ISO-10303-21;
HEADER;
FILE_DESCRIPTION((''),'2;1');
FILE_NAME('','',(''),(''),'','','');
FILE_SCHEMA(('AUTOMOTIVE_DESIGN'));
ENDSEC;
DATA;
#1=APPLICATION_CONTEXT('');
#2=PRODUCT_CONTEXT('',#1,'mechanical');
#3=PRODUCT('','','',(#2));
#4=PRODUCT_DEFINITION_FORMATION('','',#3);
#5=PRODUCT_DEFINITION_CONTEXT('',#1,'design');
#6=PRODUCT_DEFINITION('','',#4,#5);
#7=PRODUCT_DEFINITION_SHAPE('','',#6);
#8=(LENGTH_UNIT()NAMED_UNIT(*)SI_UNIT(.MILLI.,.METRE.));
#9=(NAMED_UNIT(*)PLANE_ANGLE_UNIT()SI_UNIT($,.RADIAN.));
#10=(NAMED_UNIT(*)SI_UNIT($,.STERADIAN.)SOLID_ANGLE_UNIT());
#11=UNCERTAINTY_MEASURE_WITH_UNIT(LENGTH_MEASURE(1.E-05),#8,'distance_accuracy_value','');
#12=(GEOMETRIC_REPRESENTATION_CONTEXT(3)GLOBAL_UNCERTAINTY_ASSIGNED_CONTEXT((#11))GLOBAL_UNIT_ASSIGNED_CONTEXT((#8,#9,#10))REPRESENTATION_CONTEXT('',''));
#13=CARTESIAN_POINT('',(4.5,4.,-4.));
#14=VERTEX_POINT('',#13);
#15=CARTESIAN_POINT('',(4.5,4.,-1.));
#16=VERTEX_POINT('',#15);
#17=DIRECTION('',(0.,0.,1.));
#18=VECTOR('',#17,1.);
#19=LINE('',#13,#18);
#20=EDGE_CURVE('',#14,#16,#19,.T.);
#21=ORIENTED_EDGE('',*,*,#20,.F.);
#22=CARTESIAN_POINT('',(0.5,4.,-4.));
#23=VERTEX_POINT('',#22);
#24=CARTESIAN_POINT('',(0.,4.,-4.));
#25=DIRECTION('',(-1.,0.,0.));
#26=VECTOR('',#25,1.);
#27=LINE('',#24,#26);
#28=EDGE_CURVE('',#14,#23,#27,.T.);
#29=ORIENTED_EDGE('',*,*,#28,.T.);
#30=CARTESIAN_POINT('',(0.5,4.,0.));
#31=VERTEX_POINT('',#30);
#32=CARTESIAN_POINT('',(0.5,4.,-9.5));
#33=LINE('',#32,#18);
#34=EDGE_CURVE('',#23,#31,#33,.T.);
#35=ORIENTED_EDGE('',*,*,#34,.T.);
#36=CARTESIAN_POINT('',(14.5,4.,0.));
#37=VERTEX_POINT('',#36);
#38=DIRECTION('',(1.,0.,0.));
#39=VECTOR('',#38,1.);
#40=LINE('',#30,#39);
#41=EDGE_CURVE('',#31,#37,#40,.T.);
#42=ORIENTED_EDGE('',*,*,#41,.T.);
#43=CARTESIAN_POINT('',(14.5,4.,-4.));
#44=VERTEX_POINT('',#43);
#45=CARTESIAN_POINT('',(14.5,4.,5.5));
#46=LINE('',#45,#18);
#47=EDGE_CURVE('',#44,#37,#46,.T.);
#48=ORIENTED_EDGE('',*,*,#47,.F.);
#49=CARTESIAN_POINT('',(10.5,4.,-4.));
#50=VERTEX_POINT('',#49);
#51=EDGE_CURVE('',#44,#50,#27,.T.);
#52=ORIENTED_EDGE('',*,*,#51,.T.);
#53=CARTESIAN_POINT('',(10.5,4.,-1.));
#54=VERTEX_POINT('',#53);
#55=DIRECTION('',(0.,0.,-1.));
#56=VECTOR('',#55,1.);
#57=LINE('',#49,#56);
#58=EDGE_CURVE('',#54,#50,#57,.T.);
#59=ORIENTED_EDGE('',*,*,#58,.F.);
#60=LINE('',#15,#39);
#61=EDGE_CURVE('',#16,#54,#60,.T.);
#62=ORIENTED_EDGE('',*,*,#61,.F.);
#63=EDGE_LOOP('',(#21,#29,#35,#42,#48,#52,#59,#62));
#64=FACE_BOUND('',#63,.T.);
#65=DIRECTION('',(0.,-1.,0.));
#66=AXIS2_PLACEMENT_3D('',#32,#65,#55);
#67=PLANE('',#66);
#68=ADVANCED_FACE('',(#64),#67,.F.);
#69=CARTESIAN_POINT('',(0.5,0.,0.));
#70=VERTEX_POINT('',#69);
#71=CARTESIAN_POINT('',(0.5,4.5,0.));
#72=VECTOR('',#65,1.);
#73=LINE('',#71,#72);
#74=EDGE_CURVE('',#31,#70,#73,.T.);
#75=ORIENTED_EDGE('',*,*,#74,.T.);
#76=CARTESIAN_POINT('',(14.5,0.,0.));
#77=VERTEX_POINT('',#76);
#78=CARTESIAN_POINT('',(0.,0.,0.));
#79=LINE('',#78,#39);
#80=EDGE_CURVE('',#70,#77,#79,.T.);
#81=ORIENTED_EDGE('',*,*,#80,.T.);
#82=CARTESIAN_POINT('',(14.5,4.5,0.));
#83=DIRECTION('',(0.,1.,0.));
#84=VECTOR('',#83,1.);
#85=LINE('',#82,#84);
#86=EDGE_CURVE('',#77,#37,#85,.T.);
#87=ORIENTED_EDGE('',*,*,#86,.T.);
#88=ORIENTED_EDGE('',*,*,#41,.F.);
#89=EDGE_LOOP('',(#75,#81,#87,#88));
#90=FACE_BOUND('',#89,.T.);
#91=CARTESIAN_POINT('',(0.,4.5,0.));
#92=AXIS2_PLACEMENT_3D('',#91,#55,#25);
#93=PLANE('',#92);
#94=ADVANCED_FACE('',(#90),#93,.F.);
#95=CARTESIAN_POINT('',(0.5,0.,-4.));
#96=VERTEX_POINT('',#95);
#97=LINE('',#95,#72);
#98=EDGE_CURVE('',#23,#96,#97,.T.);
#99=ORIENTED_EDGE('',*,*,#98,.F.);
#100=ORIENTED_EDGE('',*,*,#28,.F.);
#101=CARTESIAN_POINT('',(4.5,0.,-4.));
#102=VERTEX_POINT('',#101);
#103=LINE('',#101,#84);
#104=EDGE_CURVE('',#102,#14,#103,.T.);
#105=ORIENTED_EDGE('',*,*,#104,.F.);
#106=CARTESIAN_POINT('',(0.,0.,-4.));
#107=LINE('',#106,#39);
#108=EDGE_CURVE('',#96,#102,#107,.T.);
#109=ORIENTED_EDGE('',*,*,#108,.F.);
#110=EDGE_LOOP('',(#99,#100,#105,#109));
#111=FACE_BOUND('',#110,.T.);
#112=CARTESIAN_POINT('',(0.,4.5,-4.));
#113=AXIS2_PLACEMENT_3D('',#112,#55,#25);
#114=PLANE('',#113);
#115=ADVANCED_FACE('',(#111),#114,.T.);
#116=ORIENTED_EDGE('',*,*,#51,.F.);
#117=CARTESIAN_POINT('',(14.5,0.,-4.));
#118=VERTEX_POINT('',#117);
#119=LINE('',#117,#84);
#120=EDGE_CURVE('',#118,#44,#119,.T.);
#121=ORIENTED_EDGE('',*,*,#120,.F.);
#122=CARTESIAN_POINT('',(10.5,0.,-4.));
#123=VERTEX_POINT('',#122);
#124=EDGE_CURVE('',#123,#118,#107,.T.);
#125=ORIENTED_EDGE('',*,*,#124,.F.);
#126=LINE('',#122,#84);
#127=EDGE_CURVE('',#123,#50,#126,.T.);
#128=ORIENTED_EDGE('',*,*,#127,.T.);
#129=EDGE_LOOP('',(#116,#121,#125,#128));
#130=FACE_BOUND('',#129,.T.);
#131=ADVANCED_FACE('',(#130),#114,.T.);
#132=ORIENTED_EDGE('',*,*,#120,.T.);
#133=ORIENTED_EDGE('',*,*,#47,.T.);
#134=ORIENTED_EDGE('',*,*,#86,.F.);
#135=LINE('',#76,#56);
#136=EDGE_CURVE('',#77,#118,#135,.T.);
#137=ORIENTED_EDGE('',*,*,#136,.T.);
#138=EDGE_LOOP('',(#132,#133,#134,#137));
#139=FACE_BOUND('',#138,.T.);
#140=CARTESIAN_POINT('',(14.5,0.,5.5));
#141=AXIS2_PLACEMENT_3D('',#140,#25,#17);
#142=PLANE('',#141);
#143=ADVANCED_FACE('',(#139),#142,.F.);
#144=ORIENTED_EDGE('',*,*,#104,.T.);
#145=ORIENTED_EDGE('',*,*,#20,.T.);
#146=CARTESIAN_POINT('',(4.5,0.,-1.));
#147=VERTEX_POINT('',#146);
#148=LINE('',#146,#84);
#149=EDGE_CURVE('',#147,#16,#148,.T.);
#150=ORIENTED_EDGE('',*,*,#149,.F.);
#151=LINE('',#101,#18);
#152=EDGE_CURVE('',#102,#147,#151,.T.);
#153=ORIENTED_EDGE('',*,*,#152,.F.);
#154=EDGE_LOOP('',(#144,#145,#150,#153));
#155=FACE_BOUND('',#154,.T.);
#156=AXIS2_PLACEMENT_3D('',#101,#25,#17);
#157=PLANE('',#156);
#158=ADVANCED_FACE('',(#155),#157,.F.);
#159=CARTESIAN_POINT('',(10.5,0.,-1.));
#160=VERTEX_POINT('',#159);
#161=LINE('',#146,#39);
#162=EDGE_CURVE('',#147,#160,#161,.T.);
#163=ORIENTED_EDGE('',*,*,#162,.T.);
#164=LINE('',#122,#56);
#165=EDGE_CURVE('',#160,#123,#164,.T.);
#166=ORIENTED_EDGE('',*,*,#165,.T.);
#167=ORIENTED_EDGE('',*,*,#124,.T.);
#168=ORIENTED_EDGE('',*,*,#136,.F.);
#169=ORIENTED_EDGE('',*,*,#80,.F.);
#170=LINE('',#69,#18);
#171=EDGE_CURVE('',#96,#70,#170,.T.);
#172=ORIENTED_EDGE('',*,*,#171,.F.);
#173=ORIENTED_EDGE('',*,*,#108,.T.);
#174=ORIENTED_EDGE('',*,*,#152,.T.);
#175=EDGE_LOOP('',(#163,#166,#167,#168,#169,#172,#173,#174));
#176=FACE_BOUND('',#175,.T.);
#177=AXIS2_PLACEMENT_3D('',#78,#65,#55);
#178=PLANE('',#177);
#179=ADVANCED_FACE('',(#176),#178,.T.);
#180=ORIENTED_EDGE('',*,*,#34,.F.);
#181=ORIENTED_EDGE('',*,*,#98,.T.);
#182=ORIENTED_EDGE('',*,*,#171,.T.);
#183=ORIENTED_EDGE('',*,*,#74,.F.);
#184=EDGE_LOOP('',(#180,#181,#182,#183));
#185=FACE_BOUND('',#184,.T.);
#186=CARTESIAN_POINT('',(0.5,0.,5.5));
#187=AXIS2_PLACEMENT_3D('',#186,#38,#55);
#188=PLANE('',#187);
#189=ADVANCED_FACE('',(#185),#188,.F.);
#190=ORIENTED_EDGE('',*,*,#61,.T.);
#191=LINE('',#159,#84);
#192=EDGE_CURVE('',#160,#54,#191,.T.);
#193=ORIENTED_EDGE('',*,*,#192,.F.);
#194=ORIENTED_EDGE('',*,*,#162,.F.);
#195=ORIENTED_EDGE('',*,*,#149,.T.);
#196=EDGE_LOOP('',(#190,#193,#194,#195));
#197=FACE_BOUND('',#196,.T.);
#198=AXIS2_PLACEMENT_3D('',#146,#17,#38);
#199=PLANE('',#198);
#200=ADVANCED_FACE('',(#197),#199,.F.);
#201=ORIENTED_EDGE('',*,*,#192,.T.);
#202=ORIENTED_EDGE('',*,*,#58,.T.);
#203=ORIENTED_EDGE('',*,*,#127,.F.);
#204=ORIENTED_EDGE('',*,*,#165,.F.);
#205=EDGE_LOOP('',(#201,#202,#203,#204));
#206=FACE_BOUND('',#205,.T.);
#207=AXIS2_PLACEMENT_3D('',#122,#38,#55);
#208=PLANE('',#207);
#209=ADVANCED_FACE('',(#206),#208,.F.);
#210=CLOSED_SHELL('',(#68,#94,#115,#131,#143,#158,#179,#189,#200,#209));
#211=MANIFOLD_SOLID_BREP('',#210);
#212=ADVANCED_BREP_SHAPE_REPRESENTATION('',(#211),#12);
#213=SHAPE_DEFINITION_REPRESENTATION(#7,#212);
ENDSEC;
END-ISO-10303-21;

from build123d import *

# Parameters (mm, degrees)
SKETCH1_W           = 15
SKETCH1_H           = 4
BOSS_EXTRUDE1_DEPTH = 4.5
SKETCH2_W           = 6
SKETCH2_H           = 3
CUT_EXTRUDE1_DEPTH  = 4.5
SKETCH3_W           = 0.5
SKETCH3_H           = 4.5
CUT_EXTRUDE2_DEPTH  = 9.5
SKETCH4_W           = 0.5
SKETCH4_H           = 4.5
CUT_EXTRUDE3_DEPTH  = 9.5
SKETCH6_W           = 14
SKETCH6_H           = 0.5
CUT_EXTRUDE5_DEPTH  = 9.5


with BuildPart() as part:
    # Sketch1 → Boss-Extrude1 (new body)
    with BuildSketch(Plane(origin=(0, 0, 0), x_dir=(1, 0, 0), z_dir=(0, 1, 0))):
        with Locations((7.5, 2)):
            Rectangle(SKETCH1_W, SKETCH1_H)
    extrude(amount=BOSS_EXTRUDE1_DEPTH)

    # Sketch2 → Cut-Extrude1 (cut)
    with BuildSketch(Plane(origin=(0, 4.5, 0), x_dir=(1, 0, 0), z_dir=(0, 1, 0))):
        with Locations((7.5, 2.5)):
            Rectangle(SKETCH2_W, SKETCH2_H)
    extrude(amount=-CUT_EXTRUDE1_DEPTH, mode=Mode.SUBTRACT)

    # Sketch3 → Cut-Extrude2 (cut)
    with BuildSketch(Plane(origin=(0, 0, -4), x_dir=(-1, 0, 0), z_dir=(0, 0, -1))):
        with Locations((-0.25, 2.25)):
            Rectangle(SKETCH3_W, SKETCH3_H)
    extrude(amount=-CUT_EXTRUDE2_DEPTH, mode=Mode.SUBTRACT)

    # Sketch4 → Cut-Extrude3 (cut)
    with BuildSketch(Plane(origin=(0, 0, -4), x_dir=(-1, 0, 0), z_dir=(0, 0, -1))):
        with Locations((-14.75, 2.25)):
            Rectangle(SKETCH4_W, SKETCH4_H)
    extrude(amount=-CUT_EXTRUDE3_DEPTH, mode=Mode.SUBTRACT)

    # Sketch6 → Cut-Extrude5 (cut)
    with BuildSketch(Plane.XY):
        with Locations((7.5, 4.25)):
            Rectangle(SKETCH6_W, SKETCH6_H)
    extrude(amount=-CUT_EXTRUDE5_DEPTH, mode=Mode.SUBTRACT)


solid = part.part
